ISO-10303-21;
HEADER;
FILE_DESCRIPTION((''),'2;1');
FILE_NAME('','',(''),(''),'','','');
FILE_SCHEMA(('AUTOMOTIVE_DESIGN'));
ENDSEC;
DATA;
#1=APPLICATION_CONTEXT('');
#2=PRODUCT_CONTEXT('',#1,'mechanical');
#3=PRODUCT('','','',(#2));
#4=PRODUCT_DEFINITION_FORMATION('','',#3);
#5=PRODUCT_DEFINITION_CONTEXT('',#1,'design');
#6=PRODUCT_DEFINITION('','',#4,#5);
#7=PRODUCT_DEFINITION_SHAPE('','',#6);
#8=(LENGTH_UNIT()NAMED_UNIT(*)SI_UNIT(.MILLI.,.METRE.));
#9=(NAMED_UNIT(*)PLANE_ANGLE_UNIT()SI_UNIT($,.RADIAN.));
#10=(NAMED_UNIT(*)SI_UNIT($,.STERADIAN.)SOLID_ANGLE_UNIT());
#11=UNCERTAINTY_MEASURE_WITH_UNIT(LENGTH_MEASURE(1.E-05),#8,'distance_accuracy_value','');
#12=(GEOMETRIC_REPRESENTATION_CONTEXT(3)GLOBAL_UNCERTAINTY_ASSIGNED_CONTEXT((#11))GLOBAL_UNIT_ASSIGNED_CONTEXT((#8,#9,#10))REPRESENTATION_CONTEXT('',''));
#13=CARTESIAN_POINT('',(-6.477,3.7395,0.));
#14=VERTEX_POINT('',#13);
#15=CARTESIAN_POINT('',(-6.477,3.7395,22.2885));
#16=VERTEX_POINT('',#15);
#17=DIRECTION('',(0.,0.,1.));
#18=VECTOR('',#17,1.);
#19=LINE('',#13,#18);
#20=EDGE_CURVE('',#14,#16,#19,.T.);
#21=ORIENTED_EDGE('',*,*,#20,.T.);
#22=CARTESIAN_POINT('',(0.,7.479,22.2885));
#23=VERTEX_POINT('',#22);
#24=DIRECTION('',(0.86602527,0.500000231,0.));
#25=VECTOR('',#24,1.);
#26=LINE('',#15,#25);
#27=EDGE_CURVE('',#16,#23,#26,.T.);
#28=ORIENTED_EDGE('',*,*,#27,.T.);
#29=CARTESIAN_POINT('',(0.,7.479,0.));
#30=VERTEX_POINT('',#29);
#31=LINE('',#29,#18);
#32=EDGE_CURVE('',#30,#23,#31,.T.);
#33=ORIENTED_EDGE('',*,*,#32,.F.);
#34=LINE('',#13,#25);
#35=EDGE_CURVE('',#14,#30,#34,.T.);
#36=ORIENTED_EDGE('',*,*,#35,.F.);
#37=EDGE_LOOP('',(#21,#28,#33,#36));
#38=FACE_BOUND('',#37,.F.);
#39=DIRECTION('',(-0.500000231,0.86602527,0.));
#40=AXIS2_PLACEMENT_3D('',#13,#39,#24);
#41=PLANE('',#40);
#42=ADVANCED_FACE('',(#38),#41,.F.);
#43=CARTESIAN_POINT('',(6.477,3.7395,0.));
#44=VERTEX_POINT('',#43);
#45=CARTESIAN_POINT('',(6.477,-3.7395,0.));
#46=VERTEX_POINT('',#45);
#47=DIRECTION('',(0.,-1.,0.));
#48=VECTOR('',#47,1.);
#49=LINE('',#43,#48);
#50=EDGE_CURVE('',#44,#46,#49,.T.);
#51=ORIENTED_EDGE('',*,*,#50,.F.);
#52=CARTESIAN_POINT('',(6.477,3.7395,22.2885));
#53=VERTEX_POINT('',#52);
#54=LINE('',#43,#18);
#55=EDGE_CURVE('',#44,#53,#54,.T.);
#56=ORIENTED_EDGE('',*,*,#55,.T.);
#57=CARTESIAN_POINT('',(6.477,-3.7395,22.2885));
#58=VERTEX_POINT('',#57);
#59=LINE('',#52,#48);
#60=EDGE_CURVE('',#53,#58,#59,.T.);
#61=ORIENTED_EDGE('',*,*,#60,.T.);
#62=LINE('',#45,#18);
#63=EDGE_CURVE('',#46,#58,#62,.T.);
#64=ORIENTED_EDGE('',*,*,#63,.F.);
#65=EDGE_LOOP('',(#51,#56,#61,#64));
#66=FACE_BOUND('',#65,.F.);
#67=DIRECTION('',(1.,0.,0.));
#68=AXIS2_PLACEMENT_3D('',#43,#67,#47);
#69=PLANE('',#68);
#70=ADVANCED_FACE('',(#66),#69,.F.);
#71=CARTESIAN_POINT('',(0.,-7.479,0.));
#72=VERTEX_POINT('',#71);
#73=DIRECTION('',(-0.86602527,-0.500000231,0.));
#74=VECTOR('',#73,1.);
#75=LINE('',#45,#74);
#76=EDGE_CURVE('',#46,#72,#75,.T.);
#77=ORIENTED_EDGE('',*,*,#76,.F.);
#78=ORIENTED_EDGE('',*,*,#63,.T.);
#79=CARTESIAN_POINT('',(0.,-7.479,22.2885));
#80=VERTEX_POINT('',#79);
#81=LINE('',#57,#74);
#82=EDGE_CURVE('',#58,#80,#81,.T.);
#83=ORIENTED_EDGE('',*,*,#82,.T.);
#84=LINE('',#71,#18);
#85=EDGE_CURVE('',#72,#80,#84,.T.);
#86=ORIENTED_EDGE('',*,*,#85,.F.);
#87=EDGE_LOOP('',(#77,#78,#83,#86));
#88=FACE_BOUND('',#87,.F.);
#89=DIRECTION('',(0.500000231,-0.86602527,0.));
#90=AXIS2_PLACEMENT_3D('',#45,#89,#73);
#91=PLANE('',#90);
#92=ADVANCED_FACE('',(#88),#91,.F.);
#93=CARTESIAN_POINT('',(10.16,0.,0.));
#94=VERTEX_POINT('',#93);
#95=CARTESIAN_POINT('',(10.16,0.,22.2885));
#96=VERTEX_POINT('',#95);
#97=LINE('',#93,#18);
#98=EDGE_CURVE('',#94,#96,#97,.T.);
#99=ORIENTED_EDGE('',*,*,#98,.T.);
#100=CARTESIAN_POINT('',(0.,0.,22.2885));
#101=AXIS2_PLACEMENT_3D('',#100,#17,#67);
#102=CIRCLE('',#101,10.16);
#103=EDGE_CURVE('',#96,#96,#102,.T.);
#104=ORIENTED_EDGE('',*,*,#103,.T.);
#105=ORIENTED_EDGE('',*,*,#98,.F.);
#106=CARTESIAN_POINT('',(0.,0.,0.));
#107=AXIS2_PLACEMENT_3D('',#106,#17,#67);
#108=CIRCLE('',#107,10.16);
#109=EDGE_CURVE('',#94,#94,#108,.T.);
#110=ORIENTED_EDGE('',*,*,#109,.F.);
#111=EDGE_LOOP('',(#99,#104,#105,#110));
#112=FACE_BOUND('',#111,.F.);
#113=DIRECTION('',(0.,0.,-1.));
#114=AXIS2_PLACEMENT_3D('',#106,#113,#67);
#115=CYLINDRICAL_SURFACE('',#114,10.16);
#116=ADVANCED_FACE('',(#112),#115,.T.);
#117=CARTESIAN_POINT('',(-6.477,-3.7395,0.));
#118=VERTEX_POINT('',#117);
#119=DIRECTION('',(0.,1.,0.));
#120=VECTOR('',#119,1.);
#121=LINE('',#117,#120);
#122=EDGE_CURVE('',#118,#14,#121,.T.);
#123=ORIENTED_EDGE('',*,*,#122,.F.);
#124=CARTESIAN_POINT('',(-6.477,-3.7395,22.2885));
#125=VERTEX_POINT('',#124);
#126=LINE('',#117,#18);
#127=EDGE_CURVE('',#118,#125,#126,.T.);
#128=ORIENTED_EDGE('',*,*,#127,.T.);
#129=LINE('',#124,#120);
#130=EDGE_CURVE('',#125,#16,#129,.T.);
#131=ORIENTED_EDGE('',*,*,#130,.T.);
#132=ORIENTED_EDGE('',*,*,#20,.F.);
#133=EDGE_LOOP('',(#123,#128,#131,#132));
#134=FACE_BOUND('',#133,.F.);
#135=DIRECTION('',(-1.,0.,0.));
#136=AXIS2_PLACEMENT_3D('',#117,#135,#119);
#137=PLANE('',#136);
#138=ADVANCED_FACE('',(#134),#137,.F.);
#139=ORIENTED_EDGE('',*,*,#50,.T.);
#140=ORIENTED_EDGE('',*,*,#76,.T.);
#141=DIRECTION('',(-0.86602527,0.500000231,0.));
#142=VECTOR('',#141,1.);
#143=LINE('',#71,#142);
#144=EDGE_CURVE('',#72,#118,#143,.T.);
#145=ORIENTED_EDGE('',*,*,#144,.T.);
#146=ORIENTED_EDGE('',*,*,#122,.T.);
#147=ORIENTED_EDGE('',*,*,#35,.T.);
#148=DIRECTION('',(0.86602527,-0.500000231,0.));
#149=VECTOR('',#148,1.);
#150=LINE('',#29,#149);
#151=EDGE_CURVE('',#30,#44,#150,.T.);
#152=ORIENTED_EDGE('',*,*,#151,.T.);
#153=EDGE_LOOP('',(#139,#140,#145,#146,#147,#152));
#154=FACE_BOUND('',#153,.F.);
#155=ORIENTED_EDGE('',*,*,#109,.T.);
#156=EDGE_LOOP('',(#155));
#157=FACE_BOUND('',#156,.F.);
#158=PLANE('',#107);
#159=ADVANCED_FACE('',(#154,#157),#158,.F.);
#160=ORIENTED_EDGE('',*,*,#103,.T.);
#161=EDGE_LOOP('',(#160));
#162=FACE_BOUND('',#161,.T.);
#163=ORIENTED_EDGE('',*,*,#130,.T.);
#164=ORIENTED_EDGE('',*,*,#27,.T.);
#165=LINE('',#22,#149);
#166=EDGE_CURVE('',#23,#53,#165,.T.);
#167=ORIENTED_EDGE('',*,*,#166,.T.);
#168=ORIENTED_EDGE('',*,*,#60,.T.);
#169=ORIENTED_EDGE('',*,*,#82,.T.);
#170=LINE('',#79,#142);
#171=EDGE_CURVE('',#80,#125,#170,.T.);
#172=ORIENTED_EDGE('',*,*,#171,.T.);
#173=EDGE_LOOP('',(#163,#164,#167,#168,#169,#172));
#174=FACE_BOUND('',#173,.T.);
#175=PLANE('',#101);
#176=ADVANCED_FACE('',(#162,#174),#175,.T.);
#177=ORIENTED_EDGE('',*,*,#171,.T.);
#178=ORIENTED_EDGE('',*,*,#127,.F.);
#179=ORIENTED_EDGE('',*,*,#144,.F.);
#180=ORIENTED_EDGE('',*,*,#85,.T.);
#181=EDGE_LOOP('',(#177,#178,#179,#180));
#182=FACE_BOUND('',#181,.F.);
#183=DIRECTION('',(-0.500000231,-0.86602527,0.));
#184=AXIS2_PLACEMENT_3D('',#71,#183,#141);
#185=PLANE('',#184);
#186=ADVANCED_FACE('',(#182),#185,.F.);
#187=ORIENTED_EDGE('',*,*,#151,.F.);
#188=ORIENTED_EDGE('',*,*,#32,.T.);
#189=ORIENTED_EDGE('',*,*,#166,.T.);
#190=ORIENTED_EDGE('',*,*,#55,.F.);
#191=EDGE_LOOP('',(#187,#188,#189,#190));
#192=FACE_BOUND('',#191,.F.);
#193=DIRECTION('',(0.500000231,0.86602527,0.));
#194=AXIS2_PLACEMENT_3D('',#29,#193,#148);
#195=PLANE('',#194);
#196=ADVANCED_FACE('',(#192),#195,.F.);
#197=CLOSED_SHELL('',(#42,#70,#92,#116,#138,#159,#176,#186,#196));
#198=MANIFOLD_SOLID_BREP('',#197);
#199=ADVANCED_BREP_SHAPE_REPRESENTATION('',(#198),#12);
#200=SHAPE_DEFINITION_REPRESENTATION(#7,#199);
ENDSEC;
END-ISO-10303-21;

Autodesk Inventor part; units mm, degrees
ref_plane "YZ Plane" through (0, 0, 0) normal (1, 0, 0) x (0, 1, 0)
ref_plane "XZ Plane" through (0, 0, 0) normal (0, 1, 0) x (-1, 0, 0)
ref_plane "XY Plane" through (0, 0, 0) normal (0, 0, 1) x (1, 0, 0)
sketch "Sketch1" plane through (0, 0, 0) normal (0, 0, 1) x (1, 0, 0)
  line L0 (-6.477, -3.7395) -> (-6.477, 3.7395)
  line L1 (-6.477, 3.7395) -> (0, 7.479)
  line L2 (0, 7.479) -> (6.477, 3.7395)
  line L3 (6.477, 3.7395) -> (6.477, -3.7395)
  line L4 (6.477, -3.7395) -> (0, -7.479)
  line L5 (0, -7.479) -> (-6.477, -3.7395)
  circle A0 centre (0, 0) radius 10.16
  dimension "d0" = 12.954
  dimension "d1" = 20.32
extrude "Extrusion1" add sketch "Sketch1" along normal blind 22.2885
properties part number "3DPRINT,TURRET,HEX,SPACER" material "ABS Plastic"
